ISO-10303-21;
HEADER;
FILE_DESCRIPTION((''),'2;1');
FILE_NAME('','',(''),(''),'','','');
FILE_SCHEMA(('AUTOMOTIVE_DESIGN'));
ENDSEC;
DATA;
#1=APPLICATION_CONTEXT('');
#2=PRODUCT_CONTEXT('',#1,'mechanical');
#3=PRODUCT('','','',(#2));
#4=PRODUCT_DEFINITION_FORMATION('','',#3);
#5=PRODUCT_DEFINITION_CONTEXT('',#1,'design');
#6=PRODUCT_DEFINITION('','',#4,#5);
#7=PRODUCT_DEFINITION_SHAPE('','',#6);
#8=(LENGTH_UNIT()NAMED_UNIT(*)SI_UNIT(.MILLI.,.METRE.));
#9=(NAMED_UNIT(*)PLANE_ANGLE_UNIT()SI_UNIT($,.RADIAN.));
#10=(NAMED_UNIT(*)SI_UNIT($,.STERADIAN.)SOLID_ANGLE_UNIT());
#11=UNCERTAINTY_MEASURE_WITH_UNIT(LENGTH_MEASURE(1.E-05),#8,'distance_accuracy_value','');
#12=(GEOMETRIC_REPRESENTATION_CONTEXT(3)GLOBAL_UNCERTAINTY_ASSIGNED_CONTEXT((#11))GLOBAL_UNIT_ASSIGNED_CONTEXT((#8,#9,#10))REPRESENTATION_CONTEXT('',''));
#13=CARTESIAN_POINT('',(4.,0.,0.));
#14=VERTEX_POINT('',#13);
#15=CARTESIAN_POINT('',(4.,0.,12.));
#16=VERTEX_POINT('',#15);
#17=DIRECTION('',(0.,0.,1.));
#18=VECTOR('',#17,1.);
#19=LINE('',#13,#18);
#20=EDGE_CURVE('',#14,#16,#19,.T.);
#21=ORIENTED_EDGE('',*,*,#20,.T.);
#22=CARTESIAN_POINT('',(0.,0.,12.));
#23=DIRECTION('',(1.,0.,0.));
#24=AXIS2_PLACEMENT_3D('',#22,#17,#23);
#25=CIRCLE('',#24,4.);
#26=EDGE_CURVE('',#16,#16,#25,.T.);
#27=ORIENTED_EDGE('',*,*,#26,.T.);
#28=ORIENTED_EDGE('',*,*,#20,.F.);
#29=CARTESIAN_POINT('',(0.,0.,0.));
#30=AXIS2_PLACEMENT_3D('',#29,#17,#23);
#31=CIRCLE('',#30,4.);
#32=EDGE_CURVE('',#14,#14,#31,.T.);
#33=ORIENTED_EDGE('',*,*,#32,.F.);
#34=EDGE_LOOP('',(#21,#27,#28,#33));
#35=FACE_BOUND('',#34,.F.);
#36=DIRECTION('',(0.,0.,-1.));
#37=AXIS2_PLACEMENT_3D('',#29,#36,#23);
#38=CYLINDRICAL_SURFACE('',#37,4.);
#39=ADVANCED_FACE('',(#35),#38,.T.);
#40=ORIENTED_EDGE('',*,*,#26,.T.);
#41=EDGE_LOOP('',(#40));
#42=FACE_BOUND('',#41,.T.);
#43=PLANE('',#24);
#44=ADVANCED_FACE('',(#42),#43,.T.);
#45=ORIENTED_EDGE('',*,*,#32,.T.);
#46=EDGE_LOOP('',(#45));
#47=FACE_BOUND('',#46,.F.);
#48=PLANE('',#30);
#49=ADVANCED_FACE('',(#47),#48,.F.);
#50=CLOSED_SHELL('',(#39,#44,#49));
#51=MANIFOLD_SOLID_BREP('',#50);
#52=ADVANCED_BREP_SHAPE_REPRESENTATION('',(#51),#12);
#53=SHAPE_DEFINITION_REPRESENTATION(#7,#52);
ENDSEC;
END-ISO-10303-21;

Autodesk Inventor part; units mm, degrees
ref_plane "YZ Plane" through (0, 0, 0) normal (1, 0, 0) x (0, 1, 0)
ref_plane "XZ Plane" through (0, 0, 0) normal (0, 1, 0) x (-1, 0, 0)
ref_plane "XY Plane" through (0, 0, 0) normal (0, 0, 1) x (1, 0, 0)
sketch "Sketch2" plane through (0, 0, 0) normal (0, 0, 1) x (1, 0, 0)
  circle A0 centre (0, 0) radius 4
  dimension "d0" = 8
extrude "Extrusion1" add sketch "Sketch2" along normal blind 12
properties part number "BEC_CAP" material "Silver"
